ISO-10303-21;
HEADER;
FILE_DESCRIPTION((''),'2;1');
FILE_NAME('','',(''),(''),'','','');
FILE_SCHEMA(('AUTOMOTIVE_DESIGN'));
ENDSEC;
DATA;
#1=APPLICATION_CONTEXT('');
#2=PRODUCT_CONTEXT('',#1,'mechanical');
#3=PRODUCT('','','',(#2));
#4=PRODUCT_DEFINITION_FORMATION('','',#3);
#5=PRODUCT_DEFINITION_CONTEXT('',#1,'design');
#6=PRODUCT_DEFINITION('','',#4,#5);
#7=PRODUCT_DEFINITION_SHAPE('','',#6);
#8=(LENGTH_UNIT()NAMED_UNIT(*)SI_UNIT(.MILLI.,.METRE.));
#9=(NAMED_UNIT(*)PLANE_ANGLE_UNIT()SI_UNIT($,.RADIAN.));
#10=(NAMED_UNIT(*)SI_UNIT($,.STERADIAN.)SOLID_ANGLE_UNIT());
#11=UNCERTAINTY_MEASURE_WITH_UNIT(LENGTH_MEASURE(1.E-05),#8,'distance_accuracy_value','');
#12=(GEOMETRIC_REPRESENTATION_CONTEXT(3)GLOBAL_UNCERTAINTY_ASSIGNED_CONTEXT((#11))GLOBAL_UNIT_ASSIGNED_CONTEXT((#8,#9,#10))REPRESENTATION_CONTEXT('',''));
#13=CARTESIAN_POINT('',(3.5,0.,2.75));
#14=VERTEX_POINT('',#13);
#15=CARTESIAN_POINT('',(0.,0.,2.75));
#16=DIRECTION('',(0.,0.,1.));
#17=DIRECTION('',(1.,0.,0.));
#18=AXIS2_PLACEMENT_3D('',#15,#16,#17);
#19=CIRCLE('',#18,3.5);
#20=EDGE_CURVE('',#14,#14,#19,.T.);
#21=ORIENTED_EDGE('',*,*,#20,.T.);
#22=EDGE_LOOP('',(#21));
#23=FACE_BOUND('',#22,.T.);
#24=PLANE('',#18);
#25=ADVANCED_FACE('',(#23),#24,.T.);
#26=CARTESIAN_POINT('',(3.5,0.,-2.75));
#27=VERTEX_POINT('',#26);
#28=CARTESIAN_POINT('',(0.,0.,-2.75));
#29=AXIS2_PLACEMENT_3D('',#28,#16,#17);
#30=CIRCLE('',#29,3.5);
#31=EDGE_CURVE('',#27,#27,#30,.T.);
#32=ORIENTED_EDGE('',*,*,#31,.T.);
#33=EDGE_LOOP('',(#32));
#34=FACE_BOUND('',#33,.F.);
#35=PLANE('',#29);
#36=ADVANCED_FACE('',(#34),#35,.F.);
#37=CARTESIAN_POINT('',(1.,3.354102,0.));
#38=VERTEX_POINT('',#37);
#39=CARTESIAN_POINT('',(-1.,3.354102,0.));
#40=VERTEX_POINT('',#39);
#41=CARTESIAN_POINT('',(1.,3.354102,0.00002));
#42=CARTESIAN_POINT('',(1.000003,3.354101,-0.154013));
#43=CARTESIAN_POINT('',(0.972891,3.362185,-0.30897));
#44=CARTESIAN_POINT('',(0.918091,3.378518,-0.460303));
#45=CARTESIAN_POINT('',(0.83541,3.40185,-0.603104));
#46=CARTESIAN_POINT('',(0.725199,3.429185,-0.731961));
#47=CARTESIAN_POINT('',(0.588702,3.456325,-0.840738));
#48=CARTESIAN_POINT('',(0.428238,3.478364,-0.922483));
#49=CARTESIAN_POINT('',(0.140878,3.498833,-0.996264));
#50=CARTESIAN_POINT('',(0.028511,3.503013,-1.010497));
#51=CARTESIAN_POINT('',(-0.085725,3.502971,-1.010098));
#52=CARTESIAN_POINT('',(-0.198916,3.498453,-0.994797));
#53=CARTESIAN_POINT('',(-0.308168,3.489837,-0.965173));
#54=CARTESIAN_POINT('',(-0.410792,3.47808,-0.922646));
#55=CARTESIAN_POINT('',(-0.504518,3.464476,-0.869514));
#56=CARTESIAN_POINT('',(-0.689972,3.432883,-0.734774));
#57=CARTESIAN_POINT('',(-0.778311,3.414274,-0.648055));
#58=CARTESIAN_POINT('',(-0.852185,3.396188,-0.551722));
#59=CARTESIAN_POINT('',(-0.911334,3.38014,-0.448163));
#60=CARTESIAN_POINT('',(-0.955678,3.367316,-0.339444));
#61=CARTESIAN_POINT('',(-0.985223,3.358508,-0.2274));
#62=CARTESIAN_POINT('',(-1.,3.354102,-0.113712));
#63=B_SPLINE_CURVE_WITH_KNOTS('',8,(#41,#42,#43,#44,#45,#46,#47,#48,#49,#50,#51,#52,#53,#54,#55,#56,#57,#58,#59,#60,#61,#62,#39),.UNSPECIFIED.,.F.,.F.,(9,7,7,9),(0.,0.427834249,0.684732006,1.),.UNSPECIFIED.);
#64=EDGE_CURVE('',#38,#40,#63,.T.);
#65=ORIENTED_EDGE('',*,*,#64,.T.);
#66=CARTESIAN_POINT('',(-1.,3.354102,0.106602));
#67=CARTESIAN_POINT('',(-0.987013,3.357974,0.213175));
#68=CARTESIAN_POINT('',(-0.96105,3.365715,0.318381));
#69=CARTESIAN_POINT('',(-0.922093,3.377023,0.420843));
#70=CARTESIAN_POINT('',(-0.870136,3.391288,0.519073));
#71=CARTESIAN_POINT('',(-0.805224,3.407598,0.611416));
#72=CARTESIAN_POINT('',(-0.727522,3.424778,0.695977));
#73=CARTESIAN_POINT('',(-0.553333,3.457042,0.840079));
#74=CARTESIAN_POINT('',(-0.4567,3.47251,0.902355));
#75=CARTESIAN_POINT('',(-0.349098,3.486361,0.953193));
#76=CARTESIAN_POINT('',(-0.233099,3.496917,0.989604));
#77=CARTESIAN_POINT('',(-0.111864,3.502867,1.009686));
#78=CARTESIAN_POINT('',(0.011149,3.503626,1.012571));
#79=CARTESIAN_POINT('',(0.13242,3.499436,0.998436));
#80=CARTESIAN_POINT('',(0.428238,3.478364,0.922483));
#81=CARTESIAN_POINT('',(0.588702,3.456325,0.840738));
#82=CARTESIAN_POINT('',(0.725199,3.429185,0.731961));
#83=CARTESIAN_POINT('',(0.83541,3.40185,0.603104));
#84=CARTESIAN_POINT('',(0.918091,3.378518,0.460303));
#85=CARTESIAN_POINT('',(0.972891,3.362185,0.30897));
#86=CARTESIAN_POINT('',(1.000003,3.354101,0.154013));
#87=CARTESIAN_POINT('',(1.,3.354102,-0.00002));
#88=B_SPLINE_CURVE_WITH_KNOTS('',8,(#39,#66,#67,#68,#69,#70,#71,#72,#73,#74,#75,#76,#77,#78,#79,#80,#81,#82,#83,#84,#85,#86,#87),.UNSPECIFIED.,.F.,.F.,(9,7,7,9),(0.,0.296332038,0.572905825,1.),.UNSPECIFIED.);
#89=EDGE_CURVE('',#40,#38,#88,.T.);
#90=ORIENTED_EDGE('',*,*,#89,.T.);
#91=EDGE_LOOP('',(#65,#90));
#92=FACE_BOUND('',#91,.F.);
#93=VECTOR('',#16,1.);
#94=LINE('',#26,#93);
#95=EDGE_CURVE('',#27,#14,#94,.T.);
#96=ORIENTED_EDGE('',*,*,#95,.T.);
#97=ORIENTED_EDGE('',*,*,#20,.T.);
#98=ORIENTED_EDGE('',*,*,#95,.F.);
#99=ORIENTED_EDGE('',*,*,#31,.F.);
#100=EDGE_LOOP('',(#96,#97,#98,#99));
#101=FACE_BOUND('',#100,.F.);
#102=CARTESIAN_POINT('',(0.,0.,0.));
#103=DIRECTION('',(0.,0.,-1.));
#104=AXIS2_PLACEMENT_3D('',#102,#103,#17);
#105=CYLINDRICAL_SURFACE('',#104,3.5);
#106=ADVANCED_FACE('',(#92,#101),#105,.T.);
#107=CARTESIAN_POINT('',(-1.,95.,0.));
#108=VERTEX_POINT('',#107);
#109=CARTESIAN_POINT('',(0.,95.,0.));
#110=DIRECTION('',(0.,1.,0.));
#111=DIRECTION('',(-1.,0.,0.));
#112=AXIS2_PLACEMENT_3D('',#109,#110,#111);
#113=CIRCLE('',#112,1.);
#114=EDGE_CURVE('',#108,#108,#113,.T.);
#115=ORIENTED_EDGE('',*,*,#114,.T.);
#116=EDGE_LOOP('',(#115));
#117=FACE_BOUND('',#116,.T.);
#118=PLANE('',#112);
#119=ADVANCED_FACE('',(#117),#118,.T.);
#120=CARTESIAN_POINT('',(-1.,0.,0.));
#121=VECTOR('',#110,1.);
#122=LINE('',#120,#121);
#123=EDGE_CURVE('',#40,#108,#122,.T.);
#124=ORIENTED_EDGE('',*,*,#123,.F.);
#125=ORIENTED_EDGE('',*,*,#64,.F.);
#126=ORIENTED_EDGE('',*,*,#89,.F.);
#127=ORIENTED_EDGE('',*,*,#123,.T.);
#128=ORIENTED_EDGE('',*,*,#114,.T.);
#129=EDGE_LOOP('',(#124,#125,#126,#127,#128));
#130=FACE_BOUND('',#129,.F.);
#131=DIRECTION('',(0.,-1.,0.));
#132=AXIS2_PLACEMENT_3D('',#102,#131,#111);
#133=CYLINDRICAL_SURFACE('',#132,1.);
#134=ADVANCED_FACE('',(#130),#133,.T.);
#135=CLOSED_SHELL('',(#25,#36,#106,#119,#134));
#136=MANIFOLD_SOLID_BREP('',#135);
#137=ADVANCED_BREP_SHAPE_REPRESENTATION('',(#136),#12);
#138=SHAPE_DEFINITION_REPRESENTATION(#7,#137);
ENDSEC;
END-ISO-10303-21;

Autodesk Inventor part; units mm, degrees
ref_plane "YZ Plane" through (0, 0, 0) normal (1, 0, 0) x (0, 1, 0)
ref_plane "XZ Plane" through (0, 0, 0) normal (0, 1, 0) x (-1, 0, 0)
ref_plane "XY Plane" through (0, 0, 0) normal (0, 0, 1) x (1, 0, 0)
sketch "Sketch1" plane through (0, 0, 0) normal (0, 0, 1) x (1, 0, 0)
  circle A0 centre (0, 0) radius 3.5
  dimension "d0" = 7
sketch "Sketch2" plane through (0, 0, 0) normal (0, 1, 0) x (-1, 0, 0)
  circle A0 centre (0, 0) radius 1
  dimension "d1" = 2
extrude "Extrusion1" add sketch "Sketch2" along normal blind 95
extrude "Extrusion2" add sketch "Sketch1" along normal mid plane 5.5
properties part number "brake_cable"
